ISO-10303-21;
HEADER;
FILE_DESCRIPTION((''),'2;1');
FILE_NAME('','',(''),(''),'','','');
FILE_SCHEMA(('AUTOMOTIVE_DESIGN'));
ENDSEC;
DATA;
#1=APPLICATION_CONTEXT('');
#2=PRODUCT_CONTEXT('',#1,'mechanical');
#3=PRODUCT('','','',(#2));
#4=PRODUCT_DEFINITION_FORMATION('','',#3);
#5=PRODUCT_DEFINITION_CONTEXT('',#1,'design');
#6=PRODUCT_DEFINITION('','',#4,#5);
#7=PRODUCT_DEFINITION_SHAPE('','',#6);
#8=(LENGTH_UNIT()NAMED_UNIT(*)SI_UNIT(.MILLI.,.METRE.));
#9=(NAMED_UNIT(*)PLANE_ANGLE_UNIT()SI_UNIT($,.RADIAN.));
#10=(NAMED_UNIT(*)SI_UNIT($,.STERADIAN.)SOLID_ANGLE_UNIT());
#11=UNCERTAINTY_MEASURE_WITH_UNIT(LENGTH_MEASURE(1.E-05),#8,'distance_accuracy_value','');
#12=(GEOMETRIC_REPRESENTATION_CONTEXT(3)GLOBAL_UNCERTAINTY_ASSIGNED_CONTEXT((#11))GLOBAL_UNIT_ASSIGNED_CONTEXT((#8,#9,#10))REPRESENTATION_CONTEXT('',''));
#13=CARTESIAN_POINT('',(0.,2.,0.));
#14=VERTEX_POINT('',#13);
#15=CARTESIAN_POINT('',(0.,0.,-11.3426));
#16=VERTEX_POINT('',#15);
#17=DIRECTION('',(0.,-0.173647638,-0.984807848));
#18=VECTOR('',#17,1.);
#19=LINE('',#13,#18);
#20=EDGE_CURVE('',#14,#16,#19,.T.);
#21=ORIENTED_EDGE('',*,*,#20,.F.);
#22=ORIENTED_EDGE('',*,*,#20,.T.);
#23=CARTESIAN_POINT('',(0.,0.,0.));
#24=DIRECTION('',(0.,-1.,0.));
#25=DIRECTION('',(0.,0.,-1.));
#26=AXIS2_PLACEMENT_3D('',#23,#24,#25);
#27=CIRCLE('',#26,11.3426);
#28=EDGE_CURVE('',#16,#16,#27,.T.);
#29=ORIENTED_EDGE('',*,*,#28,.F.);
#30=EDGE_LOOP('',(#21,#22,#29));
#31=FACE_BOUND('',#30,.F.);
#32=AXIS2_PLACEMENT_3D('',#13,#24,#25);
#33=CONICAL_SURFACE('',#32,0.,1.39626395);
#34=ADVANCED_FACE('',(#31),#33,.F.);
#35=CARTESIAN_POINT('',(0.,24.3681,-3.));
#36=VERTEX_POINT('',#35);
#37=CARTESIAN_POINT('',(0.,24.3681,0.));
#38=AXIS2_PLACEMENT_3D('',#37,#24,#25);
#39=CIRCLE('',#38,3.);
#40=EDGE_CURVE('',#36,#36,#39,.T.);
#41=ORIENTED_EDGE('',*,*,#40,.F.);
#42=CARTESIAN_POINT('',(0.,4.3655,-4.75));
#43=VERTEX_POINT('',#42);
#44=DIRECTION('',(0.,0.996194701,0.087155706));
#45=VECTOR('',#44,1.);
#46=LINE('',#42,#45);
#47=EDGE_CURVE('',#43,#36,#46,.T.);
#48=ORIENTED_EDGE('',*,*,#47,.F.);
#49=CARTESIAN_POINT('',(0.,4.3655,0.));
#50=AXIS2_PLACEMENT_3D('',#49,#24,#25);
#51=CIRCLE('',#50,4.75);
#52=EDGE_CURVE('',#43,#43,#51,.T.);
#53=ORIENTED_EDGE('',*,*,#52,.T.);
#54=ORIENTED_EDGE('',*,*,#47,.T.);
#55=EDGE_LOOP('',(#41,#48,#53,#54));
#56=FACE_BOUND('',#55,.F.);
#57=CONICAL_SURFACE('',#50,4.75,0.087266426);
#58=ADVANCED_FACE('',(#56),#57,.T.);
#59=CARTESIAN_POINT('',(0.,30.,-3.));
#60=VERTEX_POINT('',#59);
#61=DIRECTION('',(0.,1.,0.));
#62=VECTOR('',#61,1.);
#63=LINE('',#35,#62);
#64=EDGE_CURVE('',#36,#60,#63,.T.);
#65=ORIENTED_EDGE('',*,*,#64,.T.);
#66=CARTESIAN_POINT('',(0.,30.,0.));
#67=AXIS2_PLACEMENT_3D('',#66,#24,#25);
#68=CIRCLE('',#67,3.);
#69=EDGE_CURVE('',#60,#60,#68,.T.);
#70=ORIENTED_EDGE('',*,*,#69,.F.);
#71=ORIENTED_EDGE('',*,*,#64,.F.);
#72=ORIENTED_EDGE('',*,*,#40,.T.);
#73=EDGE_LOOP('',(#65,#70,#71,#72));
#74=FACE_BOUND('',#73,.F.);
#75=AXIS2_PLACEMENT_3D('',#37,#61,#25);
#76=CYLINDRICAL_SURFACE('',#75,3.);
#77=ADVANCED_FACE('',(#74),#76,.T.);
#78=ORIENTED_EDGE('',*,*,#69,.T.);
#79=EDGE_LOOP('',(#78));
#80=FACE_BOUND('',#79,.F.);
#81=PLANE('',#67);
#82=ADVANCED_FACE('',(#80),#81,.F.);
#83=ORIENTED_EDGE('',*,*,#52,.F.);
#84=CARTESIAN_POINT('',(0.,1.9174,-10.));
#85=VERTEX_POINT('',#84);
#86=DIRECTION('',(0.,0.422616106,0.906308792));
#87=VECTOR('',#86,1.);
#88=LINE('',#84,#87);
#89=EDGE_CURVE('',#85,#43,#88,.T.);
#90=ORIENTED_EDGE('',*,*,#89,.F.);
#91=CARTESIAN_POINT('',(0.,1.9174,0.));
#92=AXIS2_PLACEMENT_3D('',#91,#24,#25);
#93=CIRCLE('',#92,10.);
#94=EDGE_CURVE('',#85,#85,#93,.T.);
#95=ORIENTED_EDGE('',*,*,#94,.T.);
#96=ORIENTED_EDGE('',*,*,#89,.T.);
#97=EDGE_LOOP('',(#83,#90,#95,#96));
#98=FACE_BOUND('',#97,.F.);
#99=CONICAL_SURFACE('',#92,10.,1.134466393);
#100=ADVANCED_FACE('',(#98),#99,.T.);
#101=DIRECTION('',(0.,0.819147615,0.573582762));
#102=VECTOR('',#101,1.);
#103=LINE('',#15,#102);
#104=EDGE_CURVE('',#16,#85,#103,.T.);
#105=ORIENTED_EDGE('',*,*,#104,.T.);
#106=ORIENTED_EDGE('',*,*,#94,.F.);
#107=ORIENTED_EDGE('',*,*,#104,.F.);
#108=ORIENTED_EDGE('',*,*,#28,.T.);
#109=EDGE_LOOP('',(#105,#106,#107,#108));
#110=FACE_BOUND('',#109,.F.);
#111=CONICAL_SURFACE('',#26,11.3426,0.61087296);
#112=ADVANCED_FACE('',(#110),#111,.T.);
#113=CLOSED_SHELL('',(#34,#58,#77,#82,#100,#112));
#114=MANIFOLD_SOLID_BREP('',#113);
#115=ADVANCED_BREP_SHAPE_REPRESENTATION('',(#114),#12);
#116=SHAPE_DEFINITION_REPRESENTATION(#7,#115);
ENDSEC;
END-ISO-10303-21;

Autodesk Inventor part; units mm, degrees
ref_plane "YZ Plane" through (0, 0, 0) normal (1, 0, 0) x (0, 1, 0)
ref_plane "XZ Plane" through (0, 0, 0) normal (0, 1, 0) x (-1, 0, 0)
ref_plane "XY Plane" through (0, 0, 0) normal (0, 0, 1) x (1, 0, 0)
sketch "Sketch1" plane through (0, 0, 0) normal (1, 0, 0) x (0, 1, 0)
  line L0 (0, -11.3426) -> (1.9174, -10)
  line L1 (1.9174, -10) -> (4.3655, -4.75)
  line L2 (4.3655, -4.75) -> (24.3681, -3)
  line L3 (24.3681, -3) -> (30, -3)
  line L4 (30, -3) -> (30, 0)
  line L5 (30, 0) -> (2, 0)
  line L6 (2, 0) -> (0, -11.3426)
  point P0 (0, 0)
  dimension "d0" = 30
  dimension "d2" = 20
  dimension "d3" = 6
  dimension "d4" = 5
  dimension "d5" = 100
  dimension "d6" = 2
  dimension "d7" = 45
  dimension "d8" = 15
  dimension "d9" = 9.5
revolve "Revolution1" add sketch "Sketch1" angle 360 about axis through (0, 30, 0) along (0, -1, 0)
properties part number "Robot1_B_Ventouse"
